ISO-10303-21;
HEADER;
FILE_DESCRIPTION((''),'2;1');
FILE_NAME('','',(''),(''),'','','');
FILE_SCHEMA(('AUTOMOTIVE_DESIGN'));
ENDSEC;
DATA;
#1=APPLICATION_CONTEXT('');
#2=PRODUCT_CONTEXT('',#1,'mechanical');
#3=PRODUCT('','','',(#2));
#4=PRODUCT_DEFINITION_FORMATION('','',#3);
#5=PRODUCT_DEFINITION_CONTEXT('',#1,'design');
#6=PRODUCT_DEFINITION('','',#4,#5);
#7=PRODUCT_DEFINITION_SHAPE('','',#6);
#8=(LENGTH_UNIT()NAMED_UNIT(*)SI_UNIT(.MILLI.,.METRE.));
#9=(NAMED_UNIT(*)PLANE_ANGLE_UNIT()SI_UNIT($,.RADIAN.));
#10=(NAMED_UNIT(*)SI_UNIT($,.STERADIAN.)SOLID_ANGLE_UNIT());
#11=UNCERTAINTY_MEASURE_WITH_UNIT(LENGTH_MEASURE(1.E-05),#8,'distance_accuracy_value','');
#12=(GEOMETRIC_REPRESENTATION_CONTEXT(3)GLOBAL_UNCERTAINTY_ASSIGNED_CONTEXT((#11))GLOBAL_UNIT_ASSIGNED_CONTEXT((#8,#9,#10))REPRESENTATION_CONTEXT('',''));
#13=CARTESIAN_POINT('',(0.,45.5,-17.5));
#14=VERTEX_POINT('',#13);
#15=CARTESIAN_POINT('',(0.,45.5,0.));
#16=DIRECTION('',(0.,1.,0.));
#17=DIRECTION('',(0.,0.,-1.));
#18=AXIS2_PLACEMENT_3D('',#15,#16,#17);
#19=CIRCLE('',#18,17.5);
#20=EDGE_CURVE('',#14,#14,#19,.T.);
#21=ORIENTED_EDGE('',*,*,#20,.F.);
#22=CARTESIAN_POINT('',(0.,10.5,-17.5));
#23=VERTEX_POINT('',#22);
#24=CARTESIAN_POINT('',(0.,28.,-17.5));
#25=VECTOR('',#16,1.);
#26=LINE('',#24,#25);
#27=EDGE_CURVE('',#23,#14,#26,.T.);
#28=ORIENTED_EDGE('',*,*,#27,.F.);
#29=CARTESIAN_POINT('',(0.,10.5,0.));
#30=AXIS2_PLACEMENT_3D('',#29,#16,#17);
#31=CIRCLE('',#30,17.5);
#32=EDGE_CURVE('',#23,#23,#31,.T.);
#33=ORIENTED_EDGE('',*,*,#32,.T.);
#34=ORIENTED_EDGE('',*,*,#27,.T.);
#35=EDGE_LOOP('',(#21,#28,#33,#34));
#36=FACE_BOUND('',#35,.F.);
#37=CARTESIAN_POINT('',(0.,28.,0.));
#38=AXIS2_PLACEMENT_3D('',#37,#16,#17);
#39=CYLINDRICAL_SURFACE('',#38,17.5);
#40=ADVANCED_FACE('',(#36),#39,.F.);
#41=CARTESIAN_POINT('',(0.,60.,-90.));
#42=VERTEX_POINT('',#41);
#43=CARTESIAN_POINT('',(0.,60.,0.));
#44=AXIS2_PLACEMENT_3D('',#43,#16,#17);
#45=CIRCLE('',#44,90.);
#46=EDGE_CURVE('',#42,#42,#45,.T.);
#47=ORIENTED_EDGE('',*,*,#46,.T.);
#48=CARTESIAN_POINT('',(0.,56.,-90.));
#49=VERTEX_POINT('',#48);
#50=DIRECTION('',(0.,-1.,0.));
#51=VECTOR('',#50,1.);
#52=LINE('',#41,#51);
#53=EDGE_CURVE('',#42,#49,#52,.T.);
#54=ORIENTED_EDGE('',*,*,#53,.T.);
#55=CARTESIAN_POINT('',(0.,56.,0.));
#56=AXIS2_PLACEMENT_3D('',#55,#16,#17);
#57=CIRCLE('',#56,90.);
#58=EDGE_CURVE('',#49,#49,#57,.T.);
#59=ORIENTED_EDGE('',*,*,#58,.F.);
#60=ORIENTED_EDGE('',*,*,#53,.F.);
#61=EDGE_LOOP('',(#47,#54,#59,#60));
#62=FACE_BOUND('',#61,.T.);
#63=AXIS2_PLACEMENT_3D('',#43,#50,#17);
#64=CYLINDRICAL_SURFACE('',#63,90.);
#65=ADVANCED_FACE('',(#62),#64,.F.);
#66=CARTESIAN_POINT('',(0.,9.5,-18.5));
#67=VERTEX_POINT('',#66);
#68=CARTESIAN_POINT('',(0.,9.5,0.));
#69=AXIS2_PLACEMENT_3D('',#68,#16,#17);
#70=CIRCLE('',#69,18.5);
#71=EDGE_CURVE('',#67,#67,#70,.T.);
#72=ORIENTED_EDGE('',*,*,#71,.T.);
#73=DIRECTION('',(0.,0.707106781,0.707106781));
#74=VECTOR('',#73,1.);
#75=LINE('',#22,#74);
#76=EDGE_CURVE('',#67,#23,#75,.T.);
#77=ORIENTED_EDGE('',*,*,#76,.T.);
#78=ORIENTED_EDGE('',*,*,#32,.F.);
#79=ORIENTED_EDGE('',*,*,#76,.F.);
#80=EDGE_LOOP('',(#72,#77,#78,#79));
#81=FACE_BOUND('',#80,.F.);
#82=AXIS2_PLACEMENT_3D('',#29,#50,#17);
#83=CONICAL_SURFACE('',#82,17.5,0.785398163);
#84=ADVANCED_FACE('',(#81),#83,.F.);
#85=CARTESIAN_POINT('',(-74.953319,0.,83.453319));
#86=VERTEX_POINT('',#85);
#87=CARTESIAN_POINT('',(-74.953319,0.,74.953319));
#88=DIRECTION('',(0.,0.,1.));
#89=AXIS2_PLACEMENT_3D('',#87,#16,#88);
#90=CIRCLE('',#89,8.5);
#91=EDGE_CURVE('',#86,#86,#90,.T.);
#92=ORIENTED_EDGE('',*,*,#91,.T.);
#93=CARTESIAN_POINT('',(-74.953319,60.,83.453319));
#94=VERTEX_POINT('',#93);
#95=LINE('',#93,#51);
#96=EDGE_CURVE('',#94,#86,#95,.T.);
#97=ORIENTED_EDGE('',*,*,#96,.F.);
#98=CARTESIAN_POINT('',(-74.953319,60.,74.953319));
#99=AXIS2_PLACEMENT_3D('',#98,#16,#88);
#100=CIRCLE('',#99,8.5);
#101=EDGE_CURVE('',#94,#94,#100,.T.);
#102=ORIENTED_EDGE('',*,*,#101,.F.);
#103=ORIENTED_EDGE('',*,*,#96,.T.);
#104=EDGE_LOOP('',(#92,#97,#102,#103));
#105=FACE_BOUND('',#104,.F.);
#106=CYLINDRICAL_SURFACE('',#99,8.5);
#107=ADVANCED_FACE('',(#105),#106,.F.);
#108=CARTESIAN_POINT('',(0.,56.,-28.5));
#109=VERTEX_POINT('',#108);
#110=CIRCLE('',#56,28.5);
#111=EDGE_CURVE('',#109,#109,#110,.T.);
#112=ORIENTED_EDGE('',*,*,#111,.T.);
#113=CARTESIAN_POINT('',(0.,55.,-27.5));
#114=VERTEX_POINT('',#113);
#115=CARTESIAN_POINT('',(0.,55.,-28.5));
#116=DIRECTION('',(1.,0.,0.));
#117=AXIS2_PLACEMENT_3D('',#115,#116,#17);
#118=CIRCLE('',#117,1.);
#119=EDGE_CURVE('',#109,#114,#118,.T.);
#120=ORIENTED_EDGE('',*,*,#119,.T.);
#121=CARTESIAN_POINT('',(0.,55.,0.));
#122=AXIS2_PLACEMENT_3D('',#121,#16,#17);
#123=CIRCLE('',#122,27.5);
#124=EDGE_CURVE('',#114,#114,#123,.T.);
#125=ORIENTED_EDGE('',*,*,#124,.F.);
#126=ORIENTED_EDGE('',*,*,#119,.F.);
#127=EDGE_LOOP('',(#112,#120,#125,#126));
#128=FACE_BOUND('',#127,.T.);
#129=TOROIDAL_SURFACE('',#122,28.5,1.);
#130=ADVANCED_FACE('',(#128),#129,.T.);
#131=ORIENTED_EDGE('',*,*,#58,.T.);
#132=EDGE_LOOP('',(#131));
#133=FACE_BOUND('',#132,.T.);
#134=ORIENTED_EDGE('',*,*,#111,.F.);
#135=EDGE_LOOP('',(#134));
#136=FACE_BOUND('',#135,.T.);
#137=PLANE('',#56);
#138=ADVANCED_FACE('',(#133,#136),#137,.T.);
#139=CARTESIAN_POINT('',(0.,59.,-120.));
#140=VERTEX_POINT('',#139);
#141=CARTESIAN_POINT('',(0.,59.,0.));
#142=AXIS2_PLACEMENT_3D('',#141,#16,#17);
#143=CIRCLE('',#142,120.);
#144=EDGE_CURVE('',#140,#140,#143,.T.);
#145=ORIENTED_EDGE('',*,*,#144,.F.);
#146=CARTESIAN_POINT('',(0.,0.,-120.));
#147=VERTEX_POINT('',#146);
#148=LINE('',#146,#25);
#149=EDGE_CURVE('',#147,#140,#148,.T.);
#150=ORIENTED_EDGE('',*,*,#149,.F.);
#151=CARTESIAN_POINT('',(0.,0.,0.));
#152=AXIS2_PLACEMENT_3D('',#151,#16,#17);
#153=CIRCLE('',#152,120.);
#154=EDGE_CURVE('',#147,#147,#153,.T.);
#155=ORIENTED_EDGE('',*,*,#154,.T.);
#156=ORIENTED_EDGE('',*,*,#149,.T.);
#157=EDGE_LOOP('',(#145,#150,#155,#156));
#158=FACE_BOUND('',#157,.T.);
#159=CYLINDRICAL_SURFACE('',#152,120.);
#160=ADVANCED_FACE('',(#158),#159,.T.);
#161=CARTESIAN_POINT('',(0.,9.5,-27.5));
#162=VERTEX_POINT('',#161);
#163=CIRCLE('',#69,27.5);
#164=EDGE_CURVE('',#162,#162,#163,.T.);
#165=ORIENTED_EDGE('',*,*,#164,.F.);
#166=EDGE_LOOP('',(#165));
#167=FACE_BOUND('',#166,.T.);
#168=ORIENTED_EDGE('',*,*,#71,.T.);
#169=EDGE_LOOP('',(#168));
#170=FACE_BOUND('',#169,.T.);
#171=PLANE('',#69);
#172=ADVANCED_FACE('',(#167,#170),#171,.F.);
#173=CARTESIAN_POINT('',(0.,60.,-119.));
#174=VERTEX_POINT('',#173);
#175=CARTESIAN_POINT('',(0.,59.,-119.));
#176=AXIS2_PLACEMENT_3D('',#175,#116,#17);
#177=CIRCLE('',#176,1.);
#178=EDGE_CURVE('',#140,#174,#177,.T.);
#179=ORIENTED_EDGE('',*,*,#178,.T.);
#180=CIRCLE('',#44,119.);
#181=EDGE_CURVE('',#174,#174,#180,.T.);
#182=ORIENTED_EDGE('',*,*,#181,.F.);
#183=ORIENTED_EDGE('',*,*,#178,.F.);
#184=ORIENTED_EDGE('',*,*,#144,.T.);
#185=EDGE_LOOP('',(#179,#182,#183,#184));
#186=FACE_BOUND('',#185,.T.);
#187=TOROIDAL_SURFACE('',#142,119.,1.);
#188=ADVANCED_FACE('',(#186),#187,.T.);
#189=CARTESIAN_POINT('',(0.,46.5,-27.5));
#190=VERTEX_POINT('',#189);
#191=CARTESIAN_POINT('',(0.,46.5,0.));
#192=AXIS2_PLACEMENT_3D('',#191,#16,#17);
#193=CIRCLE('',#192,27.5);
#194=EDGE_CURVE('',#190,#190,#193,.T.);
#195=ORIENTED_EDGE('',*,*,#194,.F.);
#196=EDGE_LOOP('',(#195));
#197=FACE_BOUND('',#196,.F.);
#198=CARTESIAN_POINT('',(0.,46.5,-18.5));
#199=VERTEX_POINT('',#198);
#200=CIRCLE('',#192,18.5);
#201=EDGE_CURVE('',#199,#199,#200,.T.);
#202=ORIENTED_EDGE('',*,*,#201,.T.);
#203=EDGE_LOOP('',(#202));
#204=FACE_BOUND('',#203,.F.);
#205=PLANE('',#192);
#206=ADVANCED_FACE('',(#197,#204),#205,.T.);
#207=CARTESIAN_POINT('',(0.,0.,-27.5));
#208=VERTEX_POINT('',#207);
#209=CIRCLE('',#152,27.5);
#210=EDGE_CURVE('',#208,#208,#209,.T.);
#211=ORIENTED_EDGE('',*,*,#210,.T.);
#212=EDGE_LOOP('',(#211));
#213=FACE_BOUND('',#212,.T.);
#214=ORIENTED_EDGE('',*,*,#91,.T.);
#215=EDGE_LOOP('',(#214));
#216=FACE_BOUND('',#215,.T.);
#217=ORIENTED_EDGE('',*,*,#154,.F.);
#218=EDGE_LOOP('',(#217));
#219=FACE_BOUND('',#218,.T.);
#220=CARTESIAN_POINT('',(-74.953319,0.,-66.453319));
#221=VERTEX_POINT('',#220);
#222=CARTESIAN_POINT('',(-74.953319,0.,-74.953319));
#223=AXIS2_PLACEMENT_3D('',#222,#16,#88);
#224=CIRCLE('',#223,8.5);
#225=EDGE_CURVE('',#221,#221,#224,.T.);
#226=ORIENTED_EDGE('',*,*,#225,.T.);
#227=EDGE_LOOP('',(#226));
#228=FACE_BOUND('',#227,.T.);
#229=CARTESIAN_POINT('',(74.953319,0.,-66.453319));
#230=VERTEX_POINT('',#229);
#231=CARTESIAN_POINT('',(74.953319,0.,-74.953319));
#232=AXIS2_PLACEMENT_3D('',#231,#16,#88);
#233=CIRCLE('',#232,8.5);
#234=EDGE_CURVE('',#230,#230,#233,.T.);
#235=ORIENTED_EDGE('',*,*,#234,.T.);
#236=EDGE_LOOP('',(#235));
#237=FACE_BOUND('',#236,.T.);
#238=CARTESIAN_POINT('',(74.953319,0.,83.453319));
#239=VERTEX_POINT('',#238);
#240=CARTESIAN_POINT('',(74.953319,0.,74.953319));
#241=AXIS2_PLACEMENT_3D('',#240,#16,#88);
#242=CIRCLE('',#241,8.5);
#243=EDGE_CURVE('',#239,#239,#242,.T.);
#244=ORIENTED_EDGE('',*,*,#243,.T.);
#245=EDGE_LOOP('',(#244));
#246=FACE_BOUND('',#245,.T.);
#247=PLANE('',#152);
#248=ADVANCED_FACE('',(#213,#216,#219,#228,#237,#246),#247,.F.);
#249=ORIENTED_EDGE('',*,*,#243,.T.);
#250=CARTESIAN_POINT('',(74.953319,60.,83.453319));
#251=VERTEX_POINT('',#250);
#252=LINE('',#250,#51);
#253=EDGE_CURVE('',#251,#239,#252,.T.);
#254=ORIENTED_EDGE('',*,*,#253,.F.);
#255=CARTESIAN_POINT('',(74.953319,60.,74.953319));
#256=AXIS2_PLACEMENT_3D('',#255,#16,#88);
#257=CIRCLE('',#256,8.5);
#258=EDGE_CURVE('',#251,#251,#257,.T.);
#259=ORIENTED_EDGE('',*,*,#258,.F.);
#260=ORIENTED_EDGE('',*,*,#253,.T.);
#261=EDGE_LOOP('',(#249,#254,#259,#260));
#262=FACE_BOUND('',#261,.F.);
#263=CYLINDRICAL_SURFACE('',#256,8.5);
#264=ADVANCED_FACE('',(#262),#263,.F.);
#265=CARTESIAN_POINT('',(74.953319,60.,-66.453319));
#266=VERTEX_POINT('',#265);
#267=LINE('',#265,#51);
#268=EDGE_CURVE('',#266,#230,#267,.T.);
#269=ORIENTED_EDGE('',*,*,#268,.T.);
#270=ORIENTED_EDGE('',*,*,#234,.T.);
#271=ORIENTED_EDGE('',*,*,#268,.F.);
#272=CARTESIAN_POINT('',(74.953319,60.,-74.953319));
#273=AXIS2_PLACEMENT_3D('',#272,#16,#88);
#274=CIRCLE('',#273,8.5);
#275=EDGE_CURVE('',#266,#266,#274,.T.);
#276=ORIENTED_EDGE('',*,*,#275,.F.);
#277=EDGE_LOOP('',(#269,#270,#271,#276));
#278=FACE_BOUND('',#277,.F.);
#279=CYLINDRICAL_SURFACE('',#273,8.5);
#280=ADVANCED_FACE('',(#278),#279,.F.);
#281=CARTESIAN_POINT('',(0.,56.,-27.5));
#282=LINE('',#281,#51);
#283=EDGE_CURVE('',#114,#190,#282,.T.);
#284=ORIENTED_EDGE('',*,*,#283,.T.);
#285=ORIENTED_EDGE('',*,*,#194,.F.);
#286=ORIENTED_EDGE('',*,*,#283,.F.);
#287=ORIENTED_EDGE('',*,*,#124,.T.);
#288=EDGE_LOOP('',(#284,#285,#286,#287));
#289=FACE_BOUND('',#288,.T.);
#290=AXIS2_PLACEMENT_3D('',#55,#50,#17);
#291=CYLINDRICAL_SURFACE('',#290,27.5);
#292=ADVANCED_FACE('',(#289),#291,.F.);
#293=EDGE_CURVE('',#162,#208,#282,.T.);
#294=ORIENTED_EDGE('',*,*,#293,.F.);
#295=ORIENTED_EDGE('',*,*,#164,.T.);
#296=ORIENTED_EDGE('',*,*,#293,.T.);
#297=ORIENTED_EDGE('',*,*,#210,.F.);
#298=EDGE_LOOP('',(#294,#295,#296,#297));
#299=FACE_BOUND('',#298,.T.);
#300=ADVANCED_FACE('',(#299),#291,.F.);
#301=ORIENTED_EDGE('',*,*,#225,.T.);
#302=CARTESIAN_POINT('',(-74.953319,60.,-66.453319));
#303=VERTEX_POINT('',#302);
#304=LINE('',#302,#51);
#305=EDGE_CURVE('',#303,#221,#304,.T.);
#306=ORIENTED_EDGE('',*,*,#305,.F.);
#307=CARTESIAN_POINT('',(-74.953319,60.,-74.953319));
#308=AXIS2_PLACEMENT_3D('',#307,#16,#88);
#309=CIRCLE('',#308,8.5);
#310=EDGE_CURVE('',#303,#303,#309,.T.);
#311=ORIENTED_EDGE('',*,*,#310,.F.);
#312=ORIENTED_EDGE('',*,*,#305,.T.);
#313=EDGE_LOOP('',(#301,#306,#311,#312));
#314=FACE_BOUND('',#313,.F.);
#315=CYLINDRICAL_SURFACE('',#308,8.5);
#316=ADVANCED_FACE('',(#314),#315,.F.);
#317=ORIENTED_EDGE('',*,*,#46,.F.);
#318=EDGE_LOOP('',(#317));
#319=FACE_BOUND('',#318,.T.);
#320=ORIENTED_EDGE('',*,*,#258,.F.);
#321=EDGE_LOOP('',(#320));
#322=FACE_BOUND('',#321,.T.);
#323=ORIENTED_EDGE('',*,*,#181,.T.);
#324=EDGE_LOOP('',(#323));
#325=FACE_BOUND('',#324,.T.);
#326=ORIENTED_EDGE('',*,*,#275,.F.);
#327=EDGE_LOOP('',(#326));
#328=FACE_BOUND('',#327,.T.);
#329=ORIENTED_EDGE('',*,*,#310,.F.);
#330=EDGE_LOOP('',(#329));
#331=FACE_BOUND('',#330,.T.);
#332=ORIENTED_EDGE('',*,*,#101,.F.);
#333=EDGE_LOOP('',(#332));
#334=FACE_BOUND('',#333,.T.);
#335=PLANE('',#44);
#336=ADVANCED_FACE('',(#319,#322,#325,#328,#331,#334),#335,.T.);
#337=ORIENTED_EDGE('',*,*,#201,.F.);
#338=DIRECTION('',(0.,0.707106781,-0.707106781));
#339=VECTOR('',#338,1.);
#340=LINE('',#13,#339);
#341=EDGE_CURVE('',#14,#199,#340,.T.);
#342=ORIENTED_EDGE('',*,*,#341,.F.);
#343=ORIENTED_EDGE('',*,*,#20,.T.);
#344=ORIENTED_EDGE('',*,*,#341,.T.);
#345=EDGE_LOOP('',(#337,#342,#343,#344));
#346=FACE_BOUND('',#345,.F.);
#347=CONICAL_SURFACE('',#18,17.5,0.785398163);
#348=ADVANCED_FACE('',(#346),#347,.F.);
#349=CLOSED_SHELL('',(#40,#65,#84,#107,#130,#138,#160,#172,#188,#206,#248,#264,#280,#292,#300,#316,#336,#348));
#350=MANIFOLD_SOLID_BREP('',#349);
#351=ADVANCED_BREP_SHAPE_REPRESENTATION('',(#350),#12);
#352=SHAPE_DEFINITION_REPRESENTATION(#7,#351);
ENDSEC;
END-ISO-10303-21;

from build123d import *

# Parameters (mm, degrees)
SKETCH2_R          = 8.5
CUT_EXTRUDE1_DEPTH = 181
FILLET1_R          = 1
CHAMFER1_SIZE      = 1


with BuildPart() as part:
    # Sketch1 → Revolve1 (revolve)
    with BuildSketch(Plane.XY):
        Polygon((27.5, 9.5), (27.5, 0), (120, 0), (120, 60), (90, 60), (90, 56), (27.5, 56), (27.5, 46.5), (17.5, 46.5), (17.5, 9.5), align=None)
    revolve(axis=Axis((0, 0, 0), (0, 1, 0)))

    # Sketch2 → Cut-Extrude1 (cut, through all)
    with BuildSketch(Plane(origin=(0, 60, 0), x_dir=(1, 0, 0), z_dir=(0, 1, 0))):
        with Locations((-74.953318805, 74.953318805)):
            Circle(SKETCH2_R)
        with Locations((74.953318805, 74.953318805)):
            Circle(SKETCH2_R)
        with Locations((74.953318805, -74.953318805)):
            Circle(SKETCH2_R)
        with Locations((-74.953318805, -74.953318805)):
            Circle(SKETCH2_R)
    extrude(amount=-CUT_EXTRUDE1_DEPTH, mode=Mode.SUBTRACT)

    # Fillet1
    fillet1_edges = [part.edges().sort_by_distance(p)[0] for p in [
        (-27.5, 56, 0),
        (-120, 60, 0),
    ]]
    fillet(fillet1_edges, radius=FILLET1_R)

    # Chamfer1
    chamfer1_edges = [part.edges().sort_by_distance(p)[0] for p in [
        (-17.5, 9.5, 0),
        (-17.5, 46.5, 0),
    ]]
    chamfer(chamfer1_edges, length=CHAMFER1_SIZE)


solid = part.part
